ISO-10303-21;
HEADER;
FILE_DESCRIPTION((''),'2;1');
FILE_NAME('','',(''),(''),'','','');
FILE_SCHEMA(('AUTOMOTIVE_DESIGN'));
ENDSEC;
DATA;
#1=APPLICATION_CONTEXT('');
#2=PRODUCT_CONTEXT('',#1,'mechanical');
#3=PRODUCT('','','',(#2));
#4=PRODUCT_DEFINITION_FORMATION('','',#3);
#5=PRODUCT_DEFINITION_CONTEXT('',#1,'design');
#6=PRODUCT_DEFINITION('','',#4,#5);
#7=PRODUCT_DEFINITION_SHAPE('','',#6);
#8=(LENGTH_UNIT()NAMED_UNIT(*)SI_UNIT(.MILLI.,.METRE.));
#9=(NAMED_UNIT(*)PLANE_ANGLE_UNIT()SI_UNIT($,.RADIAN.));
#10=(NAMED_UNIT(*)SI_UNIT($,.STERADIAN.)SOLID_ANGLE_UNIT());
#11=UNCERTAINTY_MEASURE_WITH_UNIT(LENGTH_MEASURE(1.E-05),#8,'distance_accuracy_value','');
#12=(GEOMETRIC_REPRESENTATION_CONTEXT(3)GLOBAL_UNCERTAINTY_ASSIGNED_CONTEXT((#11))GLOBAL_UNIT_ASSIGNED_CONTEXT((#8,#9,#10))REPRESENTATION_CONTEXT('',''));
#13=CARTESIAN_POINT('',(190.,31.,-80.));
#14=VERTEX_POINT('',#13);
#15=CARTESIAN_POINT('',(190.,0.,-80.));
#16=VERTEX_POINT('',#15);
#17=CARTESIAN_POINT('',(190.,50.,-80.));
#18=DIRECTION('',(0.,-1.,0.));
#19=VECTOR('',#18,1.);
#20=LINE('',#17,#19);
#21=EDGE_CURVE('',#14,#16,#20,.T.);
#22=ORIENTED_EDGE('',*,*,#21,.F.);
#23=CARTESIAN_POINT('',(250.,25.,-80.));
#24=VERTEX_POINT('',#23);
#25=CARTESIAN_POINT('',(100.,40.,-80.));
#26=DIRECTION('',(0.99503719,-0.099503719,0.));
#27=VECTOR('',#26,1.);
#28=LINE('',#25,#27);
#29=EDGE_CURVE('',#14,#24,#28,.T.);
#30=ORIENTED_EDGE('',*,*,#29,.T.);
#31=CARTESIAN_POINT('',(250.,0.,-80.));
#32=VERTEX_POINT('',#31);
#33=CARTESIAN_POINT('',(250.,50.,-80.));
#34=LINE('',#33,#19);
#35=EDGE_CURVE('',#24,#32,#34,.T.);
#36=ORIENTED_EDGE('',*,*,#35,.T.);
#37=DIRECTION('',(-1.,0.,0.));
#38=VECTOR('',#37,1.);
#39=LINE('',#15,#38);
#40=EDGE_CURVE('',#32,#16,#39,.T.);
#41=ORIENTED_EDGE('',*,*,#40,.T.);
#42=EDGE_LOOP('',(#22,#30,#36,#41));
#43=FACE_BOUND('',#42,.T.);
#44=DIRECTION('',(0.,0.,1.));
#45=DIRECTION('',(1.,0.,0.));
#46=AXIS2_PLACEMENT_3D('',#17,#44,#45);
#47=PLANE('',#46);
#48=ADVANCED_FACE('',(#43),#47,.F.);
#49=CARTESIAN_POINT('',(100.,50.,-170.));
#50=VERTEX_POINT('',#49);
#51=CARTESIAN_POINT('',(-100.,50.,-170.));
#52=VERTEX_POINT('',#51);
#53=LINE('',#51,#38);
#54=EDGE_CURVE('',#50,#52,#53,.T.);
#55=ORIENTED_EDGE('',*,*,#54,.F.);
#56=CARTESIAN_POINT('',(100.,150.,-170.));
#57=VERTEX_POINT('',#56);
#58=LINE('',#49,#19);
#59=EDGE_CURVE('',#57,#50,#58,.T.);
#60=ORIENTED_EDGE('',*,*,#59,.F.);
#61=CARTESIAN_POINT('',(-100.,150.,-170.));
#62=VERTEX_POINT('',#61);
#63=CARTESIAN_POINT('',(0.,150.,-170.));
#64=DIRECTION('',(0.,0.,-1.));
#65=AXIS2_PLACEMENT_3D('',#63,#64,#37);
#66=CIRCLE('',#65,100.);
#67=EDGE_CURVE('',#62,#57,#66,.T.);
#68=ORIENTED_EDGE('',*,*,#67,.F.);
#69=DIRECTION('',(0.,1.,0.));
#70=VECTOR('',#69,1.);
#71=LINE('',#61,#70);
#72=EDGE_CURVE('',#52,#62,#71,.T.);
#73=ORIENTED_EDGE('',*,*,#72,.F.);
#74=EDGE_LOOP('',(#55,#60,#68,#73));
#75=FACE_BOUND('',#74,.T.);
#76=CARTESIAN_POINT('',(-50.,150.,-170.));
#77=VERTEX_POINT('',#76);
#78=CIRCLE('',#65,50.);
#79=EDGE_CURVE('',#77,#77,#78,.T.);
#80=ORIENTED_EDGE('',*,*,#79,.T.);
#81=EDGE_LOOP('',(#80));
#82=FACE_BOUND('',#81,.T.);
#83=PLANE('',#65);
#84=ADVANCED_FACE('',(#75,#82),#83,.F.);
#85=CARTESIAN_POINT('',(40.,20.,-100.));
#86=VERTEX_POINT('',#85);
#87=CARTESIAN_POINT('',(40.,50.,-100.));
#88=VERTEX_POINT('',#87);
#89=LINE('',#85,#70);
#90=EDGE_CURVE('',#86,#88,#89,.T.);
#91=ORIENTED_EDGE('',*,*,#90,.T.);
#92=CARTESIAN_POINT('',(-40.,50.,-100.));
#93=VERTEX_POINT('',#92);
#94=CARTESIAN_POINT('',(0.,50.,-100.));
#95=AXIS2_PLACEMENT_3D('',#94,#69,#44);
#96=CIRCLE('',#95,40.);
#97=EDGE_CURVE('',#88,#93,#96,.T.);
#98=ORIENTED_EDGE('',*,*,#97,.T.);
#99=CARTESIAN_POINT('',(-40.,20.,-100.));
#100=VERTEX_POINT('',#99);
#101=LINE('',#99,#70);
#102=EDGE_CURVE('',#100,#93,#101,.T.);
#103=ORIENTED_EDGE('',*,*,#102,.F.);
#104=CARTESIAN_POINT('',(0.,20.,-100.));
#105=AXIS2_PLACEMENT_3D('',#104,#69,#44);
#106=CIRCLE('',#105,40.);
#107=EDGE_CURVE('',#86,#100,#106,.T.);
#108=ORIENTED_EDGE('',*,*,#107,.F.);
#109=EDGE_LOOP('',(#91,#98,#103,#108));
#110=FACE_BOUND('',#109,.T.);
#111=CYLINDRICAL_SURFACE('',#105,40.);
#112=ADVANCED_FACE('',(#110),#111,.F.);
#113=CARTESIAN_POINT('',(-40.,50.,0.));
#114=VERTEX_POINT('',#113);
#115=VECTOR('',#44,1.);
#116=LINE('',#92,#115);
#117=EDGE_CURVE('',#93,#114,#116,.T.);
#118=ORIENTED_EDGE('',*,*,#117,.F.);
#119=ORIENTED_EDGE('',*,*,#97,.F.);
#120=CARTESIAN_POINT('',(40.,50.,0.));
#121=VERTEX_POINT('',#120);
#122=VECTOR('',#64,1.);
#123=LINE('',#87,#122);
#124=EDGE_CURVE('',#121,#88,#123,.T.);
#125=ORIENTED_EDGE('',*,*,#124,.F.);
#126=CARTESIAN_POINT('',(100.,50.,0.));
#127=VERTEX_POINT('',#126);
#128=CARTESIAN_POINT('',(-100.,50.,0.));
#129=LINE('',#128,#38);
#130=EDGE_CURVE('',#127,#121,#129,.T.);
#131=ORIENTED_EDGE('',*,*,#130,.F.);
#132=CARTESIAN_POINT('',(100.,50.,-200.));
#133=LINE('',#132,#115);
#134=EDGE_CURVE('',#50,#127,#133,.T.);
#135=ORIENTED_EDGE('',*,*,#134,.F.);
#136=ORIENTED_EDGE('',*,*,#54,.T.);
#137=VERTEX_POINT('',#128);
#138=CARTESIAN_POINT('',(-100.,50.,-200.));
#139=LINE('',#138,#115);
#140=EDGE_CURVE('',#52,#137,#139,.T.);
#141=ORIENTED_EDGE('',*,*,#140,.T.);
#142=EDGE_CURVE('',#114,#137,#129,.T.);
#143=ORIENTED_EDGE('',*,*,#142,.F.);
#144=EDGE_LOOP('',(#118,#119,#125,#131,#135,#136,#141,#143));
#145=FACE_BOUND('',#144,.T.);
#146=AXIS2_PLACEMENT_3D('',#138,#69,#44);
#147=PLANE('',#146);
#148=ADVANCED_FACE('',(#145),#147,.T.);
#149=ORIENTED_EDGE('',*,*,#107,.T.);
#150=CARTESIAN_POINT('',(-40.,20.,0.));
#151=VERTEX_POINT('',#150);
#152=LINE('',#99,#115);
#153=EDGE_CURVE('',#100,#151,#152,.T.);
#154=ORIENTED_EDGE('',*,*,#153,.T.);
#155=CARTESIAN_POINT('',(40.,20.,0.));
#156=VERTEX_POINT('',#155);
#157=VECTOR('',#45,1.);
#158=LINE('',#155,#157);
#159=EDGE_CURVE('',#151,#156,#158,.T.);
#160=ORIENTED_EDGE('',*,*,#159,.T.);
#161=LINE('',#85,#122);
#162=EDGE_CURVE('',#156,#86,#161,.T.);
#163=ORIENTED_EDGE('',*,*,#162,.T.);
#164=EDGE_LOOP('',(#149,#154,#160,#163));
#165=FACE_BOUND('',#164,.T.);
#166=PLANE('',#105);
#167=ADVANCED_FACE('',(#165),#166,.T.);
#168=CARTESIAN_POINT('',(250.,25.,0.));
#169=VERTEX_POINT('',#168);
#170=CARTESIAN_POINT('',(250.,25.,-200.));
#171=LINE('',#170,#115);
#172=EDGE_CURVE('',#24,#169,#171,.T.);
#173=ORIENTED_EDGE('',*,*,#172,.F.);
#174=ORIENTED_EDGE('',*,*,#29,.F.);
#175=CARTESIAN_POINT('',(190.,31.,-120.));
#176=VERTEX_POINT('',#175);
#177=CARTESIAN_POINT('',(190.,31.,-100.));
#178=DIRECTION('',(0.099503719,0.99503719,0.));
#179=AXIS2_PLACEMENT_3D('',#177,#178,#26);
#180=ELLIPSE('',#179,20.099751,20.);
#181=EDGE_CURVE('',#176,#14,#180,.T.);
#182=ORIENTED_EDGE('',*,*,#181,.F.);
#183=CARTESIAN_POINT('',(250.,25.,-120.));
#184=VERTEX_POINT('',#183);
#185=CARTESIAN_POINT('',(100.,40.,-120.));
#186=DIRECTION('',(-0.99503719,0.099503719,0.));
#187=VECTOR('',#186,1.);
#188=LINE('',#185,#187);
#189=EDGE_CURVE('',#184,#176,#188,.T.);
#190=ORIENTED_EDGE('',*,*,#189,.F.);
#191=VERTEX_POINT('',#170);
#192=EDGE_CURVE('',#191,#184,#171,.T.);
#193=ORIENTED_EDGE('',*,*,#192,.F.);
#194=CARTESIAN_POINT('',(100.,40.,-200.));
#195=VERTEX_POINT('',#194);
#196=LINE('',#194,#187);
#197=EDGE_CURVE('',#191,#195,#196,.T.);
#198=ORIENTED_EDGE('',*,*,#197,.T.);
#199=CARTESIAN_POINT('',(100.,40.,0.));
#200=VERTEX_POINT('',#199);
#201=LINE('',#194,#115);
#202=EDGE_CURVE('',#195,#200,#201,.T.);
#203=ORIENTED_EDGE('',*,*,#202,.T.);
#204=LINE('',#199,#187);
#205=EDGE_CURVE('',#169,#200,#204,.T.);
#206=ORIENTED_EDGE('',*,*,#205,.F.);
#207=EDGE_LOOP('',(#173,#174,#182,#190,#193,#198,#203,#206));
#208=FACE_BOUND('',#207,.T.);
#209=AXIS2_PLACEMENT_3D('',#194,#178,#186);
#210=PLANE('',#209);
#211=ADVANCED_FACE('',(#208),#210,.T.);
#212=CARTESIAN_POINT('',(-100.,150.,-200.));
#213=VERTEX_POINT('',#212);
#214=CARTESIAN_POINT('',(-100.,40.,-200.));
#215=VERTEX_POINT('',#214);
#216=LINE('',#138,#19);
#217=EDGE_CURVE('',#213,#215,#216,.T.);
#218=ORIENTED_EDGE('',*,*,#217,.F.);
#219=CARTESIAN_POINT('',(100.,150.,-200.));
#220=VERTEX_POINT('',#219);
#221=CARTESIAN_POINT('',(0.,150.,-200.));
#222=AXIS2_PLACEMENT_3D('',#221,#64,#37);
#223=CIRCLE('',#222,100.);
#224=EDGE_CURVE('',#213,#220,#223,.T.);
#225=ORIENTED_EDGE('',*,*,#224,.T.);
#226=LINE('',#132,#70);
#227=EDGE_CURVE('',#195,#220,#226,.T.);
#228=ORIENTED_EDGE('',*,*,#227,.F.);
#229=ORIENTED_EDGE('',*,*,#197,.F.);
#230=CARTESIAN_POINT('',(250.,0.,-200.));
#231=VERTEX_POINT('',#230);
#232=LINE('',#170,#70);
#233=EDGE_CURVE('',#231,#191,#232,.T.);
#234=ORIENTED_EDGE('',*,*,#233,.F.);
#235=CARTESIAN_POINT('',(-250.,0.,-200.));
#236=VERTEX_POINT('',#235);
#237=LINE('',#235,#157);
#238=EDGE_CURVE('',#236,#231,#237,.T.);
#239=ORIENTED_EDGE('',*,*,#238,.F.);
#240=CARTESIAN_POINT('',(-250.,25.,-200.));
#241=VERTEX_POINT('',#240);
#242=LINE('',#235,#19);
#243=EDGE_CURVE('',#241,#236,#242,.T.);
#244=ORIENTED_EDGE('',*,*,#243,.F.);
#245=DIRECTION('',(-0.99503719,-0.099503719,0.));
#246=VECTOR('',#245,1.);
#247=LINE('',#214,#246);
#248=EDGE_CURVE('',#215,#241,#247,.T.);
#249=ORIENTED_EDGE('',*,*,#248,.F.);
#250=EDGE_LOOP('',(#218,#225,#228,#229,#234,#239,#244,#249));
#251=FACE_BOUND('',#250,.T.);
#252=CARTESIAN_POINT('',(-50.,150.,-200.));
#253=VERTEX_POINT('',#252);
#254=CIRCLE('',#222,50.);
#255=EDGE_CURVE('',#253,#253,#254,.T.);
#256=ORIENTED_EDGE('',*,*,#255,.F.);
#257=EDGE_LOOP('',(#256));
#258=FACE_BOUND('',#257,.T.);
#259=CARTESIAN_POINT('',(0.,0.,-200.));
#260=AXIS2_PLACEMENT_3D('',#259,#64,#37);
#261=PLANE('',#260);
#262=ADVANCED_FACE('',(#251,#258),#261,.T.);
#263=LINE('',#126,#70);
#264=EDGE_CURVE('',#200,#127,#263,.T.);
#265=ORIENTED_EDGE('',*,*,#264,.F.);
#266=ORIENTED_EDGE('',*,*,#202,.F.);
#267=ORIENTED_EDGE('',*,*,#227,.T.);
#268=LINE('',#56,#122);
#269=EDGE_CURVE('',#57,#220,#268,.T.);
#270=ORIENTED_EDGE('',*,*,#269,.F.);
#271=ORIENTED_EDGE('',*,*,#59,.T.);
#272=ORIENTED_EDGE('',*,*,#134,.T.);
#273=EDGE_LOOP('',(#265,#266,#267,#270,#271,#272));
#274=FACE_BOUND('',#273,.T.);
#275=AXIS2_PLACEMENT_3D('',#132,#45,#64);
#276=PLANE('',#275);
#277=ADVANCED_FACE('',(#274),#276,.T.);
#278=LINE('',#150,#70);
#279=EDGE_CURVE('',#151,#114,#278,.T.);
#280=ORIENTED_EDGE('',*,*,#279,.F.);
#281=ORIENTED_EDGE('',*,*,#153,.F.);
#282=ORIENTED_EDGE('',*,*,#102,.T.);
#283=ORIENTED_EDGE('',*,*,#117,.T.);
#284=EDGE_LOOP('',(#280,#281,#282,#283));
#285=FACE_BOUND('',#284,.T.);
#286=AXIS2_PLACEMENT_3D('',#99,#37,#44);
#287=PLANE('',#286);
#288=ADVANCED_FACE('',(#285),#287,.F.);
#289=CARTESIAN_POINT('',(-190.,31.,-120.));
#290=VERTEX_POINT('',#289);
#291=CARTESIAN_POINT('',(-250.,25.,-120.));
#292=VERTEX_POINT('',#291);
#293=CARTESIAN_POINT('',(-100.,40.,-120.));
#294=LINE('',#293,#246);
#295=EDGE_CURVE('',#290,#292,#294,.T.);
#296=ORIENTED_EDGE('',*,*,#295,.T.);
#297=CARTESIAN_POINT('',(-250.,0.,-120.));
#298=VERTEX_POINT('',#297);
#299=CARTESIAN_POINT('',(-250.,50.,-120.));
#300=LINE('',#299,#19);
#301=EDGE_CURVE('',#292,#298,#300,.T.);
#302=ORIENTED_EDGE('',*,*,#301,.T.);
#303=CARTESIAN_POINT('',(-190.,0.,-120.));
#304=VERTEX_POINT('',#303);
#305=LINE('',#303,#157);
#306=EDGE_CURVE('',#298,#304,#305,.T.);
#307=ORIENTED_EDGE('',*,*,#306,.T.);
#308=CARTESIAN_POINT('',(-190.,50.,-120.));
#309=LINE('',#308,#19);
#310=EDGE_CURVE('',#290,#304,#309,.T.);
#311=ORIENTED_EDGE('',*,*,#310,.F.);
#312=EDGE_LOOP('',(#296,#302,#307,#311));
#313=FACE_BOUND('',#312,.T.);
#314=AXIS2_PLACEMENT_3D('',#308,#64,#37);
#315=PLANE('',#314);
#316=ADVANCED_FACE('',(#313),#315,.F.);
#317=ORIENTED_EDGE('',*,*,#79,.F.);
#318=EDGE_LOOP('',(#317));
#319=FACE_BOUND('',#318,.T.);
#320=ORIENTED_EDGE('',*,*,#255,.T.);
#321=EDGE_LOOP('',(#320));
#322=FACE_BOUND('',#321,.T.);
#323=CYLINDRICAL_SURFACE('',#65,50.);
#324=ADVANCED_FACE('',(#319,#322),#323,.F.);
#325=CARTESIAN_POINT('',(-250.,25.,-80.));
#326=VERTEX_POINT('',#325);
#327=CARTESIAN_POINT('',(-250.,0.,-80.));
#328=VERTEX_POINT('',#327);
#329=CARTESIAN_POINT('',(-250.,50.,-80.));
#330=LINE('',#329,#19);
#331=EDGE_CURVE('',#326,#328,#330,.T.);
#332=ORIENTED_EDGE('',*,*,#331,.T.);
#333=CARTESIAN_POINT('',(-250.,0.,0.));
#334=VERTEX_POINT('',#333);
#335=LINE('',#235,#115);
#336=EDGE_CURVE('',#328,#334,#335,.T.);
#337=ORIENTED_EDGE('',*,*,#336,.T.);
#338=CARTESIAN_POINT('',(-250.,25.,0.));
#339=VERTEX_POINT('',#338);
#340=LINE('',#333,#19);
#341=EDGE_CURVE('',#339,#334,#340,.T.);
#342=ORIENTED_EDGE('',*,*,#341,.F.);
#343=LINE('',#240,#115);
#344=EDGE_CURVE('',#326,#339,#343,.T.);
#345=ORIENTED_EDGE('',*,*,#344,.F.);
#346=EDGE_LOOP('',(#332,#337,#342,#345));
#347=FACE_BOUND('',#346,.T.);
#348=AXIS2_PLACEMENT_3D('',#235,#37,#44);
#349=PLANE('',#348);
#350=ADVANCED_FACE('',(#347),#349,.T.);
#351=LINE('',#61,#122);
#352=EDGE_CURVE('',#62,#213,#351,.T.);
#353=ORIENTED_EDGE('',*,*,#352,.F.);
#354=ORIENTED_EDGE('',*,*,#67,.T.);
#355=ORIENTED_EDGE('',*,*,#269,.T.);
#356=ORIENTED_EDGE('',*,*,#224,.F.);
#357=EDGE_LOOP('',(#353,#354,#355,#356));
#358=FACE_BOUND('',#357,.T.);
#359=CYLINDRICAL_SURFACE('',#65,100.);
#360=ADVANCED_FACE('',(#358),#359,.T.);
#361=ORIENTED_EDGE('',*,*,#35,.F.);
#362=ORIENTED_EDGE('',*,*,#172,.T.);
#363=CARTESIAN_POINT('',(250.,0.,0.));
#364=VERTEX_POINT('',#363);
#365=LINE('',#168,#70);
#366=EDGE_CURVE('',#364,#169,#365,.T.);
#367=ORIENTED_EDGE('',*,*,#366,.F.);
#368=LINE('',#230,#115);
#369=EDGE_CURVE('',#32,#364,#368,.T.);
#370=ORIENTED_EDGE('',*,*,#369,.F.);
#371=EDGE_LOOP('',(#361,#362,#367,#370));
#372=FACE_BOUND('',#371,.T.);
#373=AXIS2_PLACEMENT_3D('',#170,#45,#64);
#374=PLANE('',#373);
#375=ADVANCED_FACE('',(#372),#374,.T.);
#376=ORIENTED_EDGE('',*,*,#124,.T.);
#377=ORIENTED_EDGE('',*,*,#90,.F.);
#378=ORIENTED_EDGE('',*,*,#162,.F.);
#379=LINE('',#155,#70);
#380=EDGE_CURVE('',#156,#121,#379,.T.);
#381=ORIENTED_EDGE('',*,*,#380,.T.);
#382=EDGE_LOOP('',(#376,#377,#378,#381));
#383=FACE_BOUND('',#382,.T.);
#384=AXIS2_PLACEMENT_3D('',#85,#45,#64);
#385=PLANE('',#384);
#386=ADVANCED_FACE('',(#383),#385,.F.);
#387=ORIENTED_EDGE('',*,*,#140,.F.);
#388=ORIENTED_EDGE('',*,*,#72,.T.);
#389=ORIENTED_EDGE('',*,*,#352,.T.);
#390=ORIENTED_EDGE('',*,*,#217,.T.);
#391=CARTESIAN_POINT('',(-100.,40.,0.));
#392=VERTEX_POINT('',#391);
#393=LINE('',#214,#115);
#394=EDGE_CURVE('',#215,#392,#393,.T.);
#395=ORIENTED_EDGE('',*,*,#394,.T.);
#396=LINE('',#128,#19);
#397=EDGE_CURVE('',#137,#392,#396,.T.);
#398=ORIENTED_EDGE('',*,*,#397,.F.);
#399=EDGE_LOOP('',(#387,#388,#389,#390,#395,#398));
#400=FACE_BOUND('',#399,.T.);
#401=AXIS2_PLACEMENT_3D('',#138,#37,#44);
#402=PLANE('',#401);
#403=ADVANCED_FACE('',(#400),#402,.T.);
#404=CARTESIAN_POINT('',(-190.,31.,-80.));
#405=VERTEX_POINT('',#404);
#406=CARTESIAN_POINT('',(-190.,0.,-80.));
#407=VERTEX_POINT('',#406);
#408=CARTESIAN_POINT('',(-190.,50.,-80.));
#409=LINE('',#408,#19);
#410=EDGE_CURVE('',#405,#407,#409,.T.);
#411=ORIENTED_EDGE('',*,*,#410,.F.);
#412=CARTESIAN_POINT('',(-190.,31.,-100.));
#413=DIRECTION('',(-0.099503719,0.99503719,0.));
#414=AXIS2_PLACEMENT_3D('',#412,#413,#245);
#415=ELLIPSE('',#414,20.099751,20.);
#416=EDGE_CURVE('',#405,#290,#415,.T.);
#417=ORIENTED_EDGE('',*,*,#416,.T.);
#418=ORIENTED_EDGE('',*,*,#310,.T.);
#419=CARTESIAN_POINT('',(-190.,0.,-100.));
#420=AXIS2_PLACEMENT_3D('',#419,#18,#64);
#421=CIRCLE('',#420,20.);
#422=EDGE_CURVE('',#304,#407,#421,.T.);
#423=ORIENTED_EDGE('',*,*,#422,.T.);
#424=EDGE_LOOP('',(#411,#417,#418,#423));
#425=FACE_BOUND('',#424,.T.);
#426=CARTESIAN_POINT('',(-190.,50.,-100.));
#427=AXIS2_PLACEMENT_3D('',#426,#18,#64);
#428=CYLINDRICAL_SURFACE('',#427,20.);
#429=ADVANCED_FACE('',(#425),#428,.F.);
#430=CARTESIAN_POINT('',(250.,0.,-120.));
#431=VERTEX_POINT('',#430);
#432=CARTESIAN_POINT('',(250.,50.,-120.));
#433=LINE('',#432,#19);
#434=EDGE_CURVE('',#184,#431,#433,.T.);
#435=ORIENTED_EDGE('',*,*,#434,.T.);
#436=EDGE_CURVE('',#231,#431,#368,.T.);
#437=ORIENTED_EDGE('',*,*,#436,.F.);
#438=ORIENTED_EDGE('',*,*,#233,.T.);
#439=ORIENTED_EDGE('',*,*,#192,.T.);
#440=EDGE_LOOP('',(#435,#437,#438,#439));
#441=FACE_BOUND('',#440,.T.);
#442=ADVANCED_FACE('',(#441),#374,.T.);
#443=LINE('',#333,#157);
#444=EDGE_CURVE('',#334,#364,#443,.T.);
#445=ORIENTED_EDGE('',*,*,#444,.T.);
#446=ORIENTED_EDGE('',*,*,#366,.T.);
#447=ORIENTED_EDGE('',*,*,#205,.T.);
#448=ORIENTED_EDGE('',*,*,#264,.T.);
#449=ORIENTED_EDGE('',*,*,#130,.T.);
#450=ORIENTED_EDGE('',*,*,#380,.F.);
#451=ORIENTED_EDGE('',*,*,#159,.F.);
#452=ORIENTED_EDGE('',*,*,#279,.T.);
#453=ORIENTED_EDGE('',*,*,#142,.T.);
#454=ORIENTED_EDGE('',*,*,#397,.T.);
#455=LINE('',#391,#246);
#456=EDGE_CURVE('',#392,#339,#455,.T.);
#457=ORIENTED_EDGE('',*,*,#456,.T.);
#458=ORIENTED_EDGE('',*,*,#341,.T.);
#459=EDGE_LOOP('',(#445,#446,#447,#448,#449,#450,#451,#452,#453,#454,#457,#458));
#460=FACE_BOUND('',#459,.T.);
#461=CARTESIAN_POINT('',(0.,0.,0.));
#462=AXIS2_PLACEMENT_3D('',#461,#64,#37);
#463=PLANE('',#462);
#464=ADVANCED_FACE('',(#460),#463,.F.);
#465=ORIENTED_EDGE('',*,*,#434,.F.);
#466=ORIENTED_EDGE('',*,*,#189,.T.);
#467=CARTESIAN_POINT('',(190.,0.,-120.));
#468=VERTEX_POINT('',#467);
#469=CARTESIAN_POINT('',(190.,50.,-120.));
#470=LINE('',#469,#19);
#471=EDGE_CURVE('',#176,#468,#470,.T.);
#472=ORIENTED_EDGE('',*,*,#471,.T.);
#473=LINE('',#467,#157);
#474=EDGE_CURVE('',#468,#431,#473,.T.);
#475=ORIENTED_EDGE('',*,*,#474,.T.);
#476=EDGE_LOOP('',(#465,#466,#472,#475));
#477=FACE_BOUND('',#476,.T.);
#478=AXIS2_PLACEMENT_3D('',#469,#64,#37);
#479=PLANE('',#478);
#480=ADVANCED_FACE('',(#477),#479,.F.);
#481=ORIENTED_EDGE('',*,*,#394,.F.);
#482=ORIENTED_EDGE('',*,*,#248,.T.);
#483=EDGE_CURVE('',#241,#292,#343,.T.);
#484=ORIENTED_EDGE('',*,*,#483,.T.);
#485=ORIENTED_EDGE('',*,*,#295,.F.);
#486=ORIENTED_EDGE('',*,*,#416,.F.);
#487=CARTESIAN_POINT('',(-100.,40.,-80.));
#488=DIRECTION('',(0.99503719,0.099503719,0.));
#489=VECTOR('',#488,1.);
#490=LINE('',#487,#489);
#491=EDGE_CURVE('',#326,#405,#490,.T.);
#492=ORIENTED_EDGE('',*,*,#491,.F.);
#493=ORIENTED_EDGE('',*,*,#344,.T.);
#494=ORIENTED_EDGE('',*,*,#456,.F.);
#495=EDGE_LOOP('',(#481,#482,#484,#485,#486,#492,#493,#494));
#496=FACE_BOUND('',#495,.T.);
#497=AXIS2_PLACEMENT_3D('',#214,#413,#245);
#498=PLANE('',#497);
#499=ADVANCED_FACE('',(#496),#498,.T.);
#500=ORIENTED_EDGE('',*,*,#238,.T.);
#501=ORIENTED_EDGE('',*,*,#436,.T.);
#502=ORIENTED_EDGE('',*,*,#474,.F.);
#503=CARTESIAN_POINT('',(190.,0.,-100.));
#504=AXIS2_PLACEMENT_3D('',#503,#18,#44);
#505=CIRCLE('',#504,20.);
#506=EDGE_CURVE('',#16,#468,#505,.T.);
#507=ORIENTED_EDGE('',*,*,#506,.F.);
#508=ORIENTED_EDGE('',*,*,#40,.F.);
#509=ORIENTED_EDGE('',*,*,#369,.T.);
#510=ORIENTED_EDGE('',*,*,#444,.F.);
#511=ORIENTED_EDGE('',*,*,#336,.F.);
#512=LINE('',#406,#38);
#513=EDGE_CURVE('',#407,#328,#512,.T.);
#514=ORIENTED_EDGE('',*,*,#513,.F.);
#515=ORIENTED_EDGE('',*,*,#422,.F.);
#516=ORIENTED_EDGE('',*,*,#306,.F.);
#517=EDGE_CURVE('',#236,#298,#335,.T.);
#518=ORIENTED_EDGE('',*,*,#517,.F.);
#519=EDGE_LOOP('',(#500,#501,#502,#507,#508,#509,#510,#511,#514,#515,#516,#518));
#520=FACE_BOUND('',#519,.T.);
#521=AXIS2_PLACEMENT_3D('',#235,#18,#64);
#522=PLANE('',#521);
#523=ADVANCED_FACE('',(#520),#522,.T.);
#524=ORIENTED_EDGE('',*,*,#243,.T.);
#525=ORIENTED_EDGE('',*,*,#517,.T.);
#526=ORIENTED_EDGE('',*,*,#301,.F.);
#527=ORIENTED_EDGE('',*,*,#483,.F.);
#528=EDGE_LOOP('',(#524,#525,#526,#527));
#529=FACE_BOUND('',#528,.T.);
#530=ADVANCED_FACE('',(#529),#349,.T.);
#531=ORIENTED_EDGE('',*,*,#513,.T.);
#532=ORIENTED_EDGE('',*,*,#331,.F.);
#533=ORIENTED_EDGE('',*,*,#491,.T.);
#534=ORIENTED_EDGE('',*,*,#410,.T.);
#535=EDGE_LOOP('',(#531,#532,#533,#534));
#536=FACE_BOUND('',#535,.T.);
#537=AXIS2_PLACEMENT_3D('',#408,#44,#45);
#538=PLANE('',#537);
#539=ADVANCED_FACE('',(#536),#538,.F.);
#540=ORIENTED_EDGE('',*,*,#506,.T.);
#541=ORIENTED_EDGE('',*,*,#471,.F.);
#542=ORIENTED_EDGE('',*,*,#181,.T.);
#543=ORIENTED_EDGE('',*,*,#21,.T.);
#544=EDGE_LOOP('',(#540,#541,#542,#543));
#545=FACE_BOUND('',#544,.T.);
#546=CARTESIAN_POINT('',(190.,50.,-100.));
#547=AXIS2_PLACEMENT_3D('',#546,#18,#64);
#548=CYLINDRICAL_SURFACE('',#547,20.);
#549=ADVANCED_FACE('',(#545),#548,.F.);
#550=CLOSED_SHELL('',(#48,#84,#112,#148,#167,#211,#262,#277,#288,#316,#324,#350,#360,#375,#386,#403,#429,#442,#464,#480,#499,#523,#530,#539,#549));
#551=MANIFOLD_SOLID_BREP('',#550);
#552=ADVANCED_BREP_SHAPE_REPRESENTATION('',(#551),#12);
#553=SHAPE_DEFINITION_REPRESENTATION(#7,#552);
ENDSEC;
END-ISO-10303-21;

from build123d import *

# Parameters (mm, degrees)
BOSS_EXTRUDE1_DEPTH = 200
CUT_EXTRUDE1_DEPTH  = 30
CUT_EXTRUDE2_DEPTH  = 325.03703492
SKETCH5_R           = 50
BOSS_EXTRUDE2_DEPTH = 30


with BuildPart() as part:
    # Sketch2 → Boss-Extrude1 (new body)
    with BuildSketch(Plane.XY):
        Polygon((-250, 0), (250, 0), (250, 25), (100, 40), (100, 50), (-100, 50), (-100, 40), (-250, 25), align=None)
    extrude(amount=-BOSS_EXTRUDE1_DEPTH)

    # Sketch3 → Cut-Extrude1 (cut)
    with BuildSketch(Plane(origin=(0, 50, 0), x_dir=(1, 0, 0), z_dir=(0, 1, 0))):
        with BuildLine():
            Line((-40, 100), (-40, 0))
            Line((-40, 0), (40, 0))
            Line((40, 0), (40, 100))
            ThreePointArc((40, 100), (0, 140), (-40, 100))
        make_face()
    extrude(amount=-CUT_EXTRUDE1_DEPTH, mode=Mode.SUBTRACT)

    # Sketch4 → Cut-Extrude2 (cut, through all)
    with BuildSketch(Plane.XZ):
        with BuildLine():
            Line((-190, -80), (-250, -80))
            Line((-250, -80), (-250, -120))
            Line((-250, -120), (-190, -120))
            ThreePointArc((-190, -120), (-170, -100), (-190, -80))
        make_face()
        with BuildLine():
            Line((250, -120), (250, -80))
            Line((250, -80), (190, -80))
            ThreePointArc((190, -80), (170, -100), (190, -120))
            Line((190, -120), (250, -120))
        make_face()
    extrude(amount=-CUT_EXTRUDE2_DEPTH, mode=Mode.SUBTRACT)

    # Sketch5 → Boss-Extrude2 (add)
    with BuildSketch(Plane(origin=(0, 0, -200), x_dir=(-1, 0, 0), z_dir=(0, 0, -1))):
        with BuildLine():
            Line((-100, 50), (-100, 150))
            ThreePointArc((-100, 150), (0, 250), (100, 150))
            Line((100, 150), (100, 50))
            Line((100, 50), (-100, 50))
        make_face()
        with Locations((0, 150)):
            Circle(SKETCH5_R, mode=Mode.SUBTRACT)
    extrude(amount=-BOSS_EXTRUDE2_DEPTH)


solid = part.part
